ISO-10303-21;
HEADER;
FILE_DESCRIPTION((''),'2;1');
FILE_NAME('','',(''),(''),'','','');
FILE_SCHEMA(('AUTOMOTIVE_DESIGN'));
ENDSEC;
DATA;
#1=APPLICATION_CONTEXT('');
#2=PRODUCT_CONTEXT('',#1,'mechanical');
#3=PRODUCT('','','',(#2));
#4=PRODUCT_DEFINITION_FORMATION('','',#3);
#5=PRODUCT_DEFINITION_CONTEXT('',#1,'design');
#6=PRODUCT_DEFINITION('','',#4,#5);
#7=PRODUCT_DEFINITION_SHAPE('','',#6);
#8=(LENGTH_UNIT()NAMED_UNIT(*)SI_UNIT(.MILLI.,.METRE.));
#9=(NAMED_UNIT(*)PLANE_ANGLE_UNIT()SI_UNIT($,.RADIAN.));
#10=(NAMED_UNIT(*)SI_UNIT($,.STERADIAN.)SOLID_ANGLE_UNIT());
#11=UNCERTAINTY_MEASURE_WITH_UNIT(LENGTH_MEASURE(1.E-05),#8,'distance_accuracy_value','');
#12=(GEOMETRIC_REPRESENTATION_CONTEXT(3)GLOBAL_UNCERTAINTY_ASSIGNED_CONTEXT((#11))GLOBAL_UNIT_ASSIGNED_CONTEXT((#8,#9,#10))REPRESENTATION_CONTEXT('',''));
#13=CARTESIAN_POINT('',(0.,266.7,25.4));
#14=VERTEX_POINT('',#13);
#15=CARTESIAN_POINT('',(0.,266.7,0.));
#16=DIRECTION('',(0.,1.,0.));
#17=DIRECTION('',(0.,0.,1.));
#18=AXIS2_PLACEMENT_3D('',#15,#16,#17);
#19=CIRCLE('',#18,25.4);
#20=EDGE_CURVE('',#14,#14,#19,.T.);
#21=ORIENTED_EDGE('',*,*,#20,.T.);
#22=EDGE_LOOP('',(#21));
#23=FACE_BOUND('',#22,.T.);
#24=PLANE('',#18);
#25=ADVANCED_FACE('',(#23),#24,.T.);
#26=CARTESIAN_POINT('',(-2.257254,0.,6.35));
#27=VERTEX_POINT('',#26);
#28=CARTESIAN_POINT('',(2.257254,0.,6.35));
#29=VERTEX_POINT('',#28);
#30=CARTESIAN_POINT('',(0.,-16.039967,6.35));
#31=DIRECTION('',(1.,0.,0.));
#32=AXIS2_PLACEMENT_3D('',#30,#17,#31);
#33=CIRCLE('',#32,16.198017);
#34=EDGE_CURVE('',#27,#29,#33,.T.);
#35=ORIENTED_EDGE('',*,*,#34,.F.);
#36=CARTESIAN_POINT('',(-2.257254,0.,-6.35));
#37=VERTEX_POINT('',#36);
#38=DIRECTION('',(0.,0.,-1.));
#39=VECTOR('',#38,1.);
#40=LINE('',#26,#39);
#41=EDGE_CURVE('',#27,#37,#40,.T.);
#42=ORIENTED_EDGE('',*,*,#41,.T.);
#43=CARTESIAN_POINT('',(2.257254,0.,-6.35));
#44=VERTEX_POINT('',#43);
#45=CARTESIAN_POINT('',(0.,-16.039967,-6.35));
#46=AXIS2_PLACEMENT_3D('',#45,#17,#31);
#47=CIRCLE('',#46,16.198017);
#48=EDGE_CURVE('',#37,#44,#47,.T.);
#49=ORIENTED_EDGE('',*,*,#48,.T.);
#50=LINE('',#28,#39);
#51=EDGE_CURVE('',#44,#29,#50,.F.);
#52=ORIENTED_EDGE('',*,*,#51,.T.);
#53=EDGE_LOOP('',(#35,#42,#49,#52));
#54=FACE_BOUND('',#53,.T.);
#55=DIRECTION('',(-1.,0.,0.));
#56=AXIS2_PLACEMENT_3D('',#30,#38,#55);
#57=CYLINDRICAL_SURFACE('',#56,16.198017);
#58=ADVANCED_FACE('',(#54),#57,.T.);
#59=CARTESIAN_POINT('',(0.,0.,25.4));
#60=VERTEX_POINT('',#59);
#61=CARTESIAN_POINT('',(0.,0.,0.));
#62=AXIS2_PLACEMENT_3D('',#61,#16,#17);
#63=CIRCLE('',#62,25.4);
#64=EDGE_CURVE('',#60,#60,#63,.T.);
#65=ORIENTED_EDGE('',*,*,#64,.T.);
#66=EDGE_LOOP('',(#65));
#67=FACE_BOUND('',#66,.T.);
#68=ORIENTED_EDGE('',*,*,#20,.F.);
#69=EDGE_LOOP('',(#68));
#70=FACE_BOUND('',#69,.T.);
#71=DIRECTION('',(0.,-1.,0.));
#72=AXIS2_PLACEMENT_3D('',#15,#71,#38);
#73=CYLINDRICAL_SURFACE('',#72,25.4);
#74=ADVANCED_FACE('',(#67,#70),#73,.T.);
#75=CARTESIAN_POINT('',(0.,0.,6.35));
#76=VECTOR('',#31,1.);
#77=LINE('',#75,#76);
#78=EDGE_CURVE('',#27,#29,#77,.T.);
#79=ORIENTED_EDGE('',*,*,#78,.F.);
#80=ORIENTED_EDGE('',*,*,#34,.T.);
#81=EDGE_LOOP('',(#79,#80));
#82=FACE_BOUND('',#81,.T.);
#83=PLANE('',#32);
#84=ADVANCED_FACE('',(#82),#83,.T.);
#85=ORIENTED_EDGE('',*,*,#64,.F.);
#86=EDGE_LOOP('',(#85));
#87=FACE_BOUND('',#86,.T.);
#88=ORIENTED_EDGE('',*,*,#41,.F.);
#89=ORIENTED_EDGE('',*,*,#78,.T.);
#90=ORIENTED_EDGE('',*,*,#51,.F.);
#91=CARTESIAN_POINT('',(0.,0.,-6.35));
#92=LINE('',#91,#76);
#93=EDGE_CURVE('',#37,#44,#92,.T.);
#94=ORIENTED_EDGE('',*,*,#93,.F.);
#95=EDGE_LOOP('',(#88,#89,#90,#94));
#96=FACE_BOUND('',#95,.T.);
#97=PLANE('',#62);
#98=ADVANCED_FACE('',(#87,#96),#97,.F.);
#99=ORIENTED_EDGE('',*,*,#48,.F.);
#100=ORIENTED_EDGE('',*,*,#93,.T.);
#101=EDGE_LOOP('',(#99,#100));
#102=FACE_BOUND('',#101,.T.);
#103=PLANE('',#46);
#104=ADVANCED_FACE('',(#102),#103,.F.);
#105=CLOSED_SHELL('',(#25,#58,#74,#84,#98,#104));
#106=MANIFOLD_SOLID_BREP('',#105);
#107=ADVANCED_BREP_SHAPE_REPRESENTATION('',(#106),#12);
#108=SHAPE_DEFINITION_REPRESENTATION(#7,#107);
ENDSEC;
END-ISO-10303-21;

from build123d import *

# Parameters (mm, degrees)
SKETCH1_R           = 25.4
BOSS_EXTRUDE1_DEPTH = 266.7
SKETCH3_R           = 16.198016886
BOSS_EXTRUDE2_DEPTH = 6.35


with BuildPart() as part:
    # Sketch1 → Boss-Extrude1 (new body)
    with BuildSketch(Plane(origin=(0, 0, 0), x_dir=(1, 0, 0), z_dir=(0, 1, 0))):
        Circle(SKETCH1_R)
    extrude(amount=BOSS_EXTRUDE1_DEPTH)

    # Sketch3 → Boss-Extrude2 (add, symmetric)
    with BuildSketch(Plane.XY):
        with Locations((0, -16.03996745)):
            Circle(SKETCH3_R)
    extrude(amount=BOSS_EXTRUDE2_DEPTH, both=True)


solid = part.part
